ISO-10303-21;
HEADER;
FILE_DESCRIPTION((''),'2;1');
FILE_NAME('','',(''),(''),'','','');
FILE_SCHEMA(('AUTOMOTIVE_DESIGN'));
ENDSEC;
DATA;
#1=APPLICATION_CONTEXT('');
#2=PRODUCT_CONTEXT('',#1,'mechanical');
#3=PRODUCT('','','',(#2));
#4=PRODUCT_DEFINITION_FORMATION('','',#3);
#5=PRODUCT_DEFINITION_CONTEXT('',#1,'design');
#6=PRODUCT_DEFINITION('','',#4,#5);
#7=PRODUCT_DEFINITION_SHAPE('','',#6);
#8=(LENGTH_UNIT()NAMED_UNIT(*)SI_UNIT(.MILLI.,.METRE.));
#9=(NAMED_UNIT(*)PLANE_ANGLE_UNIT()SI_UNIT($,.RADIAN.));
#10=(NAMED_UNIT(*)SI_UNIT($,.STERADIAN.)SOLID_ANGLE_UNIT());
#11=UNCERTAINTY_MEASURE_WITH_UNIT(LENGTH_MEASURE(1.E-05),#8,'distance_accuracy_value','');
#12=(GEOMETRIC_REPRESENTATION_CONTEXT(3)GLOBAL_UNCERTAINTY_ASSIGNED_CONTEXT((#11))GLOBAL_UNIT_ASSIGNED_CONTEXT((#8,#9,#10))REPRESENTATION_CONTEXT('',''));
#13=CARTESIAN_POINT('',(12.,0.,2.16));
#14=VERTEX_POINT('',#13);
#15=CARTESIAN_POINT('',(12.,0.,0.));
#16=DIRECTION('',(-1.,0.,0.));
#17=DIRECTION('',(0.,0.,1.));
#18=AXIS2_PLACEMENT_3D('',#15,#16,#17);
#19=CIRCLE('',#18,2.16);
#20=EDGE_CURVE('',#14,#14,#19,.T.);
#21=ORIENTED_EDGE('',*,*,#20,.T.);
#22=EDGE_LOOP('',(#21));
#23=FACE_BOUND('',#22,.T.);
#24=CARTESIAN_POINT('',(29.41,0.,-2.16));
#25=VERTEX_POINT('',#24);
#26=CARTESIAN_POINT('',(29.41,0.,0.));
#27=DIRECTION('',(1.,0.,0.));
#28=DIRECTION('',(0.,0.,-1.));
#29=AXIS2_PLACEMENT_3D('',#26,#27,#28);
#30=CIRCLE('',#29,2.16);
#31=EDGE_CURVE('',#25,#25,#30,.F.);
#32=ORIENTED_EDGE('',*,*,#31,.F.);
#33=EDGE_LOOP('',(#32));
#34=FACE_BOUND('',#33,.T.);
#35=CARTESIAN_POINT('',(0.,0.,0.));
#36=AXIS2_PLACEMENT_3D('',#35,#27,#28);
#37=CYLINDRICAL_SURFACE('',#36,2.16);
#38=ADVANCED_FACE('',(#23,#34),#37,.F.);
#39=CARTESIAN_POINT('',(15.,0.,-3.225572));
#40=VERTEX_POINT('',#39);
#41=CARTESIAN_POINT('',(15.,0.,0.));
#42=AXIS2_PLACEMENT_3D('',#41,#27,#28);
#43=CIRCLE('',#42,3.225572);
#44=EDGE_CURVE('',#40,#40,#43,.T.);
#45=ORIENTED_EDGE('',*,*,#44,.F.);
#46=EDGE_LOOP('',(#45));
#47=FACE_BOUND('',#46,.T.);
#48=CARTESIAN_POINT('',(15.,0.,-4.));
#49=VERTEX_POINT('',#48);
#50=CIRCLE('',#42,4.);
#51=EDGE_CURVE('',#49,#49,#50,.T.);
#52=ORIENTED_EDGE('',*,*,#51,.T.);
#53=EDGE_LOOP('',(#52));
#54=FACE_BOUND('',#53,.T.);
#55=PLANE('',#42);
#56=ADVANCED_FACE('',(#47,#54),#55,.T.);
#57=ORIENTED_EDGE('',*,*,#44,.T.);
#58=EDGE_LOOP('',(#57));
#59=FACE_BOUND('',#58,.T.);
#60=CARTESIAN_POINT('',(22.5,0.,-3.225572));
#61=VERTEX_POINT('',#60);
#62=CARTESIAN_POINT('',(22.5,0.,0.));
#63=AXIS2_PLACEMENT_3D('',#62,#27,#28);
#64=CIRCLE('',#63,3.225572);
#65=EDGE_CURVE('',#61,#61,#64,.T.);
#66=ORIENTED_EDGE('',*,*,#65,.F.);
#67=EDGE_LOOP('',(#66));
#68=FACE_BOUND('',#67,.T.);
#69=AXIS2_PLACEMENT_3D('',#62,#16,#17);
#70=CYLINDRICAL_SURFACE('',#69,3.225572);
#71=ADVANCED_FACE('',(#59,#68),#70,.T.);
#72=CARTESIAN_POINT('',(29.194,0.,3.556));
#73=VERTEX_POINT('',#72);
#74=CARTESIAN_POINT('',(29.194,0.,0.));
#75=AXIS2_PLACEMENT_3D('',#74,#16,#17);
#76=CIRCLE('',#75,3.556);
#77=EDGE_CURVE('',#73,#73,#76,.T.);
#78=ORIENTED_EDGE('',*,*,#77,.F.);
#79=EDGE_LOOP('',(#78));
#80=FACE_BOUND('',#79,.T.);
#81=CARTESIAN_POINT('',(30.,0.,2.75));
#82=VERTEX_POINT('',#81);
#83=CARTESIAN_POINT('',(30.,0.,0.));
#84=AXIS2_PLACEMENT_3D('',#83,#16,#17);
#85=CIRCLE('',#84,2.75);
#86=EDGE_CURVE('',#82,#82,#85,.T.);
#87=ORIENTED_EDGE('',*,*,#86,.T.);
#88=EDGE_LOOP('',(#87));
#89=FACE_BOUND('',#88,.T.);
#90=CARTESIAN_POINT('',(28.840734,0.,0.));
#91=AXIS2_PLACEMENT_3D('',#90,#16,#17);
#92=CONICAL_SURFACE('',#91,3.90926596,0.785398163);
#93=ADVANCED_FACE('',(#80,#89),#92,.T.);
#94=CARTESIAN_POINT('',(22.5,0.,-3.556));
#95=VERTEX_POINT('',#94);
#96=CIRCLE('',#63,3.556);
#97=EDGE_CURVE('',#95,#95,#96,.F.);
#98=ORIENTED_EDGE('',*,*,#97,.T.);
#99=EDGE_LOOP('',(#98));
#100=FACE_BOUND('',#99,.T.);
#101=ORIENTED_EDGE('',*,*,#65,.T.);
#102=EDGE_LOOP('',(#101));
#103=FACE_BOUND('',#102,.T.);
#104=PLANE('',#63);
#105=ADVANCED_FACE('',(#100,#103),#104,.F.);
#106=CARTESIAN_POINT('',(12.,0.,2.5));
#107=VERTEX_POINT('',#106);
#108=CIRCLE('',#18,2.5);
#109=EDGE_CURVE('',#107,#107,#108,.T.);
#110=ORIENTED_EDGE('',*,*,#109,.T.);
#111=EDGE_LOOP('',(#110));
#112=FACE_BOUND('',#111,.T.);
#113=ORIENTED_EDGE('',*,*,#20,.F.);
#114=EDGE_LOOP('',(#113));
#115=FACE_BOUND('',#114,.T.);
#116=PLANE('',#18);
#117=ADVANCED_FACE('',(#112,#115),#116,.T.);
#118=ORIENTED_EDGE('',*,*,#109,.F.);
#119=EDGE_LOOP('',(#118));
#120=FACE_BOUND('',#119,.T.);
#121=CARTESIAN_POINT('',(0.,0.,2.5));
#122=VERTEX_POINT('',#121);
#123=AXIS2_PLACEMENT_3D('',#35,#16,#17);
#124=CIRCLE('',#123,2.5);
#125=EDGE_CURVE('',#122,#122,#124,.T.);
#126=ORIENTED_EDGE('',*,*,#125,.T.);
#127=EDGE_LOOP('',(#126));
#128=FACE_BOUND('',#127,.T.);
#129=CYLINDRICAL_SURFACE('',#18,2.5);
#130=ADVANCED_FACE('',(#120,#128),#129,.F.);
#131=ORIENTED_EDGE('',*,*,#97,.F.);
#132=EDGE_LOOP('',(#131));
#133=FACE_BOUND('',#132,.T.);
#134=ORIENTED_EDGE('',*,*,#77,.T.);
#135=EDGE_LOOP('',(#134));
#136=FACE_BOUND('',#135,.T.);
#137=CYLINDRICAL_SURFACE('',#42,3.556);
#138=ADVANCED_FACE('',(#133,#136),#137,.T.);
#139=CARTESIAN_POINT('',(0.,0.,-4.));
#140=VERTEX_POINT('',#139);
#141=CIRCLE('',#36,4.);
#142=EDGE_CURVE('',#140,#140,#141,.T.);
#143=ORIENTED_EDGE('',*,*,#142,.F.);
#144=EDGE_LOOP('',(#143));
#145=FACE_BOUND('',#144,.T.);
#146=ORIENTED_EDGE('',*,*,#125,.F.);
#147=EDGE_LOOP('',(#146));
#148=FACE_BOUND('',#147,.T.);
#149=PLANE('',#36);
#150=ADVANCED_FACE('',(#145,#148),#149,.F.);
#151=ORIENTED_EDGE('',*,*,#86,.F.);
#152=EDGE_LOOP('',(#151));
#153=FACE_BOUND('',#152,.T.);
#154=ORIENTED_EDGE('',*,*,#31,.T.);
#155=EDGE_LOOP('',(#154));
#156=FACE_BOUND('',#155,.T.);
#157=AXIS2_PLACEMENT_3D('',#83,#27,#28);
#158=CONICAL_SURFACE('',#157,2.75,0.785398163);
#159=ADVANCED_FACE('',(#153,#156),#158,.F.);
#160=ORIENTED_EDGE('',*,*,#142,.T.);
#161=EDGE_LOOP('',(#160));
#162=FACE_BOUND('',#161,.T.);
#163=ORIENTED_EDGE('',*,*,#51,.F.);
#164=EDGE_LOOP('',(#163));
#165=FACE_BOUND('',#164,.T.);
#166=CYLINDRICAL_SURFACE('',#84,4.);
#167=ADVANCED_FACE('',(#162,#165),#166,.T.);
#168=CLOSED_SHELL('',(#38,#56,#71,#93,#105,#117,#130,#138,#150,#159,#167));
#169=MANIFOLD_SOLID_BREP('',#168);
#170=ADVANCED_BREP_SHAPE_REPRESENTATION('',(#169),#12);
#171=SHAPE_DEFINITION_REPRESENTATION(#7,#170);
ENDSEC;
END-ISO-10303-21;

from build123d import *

# Parameters (mm, degrees)
SKETCH1_R           = 4
BOSS_EXTRUDE2_DEPTH = 30
SKETCH3_R           = 2.5
CUT_EXTRUDE1_DEPTH  = 12
SKETCH4_R           = 2.16
CUT_EXTRUDE2_DEPTH  = 31
SKETCH10_OUTSIDE_W  = 16.412
SKETCH10_OUTSIDE_H  = 16.412
SKETCH10_OUTSIDE_R  = 3.556
CUT_EXTRUDE3_DEPTH  = 15
SKETCH18_OUTSIDE_W  = 16.412
SKETCH18_OUTSIDE_H  = 16.412
SKETCH18_OUTSIDE_R  = 3.225571995
CUT_EXTRUDE4_DEPTH  = 7.5


with BuildPart() as part:
    # Sketch1 → Boss-Extrude2 (new body)
    with BuildSketch(Plane(origin=(0, 0, 0), x_dir=(0, 0, -1), z_dir=(1, 0, 0))):
        Circle(SKETCH1_R)
    extrude(amount=BOSS_EXTRUDE2_DEPTH)

    # Sketch3 → Cut-Extrude1 (cut)
    with BuildSketch(Plane.ZY):
        Circle(SKETCH3_R)
    extrude(amount=-CUT_EXTRUDE1_DEPTH, mode=Mode.SUBTRACT)

    # Sketch4 → Cut-Extrude2 (cut, through all)
    with BuildSketch(Plane(origin=(30, 0, 0), x_dir=(0, 0, -1), z_dir=(1, 0, 0))):
        Circle(SKETCH4_R)
    extrude(amount=-CUT_EXTRUDE2_DEPTH, mode=Mode.SUBTRACT)

    # Sketch10 outside → Cut-Extrude3 (cut)
    with BuildSketch(Plane(origin=(30, 0, 0), x_dir=(0, 0, -1), z_dir=(1, 0, 0))):
        Rectangle(SKETCH10_OUTSIDE_W, SKETCH10_OUTSIDE_H)
        Circle(SKETCH10_OUTSIDE_R, mode=Mode.SUBTRACT)
    extrude(amount=-CUT_EXTRUDE3_DEPTH, mode=Mode.SUBTRACT)

    # Sketch18 outside → Cut-Extrude4 (cut)
    with BuildSketch(Plane(origin=(15, 0, 0), x_dir=(0, 0, -1), z_dir=(1, 0, 0))):
        Rectangle(SKETCH18_OUTSIDE_W, SKETCH18_OUTSIDE_H)
        Circle(SKETCH18_OUTSIDE_R, mode=Mode.SUBTRACT)
    extrude(amount=CUT_EXTRUDE4_DEPTH, mode=Mode.SUBTRACT)

    # Sketch17 → Cut-Revolve1 (revolve, cut)
    with BuildSketch(Plane.XY):
        Polygon((28.84073404, 3.90926596), (30, 2.75), (28.84073404, 1.59073404), (31.351449917, 1.59073404), (31.351449917, 3.90926596), align=None)
    revolve(axis=Axis((12, 0, 0), (1, 0, 0)), mode=Mode.SUBTRACT)


solid = part.part
